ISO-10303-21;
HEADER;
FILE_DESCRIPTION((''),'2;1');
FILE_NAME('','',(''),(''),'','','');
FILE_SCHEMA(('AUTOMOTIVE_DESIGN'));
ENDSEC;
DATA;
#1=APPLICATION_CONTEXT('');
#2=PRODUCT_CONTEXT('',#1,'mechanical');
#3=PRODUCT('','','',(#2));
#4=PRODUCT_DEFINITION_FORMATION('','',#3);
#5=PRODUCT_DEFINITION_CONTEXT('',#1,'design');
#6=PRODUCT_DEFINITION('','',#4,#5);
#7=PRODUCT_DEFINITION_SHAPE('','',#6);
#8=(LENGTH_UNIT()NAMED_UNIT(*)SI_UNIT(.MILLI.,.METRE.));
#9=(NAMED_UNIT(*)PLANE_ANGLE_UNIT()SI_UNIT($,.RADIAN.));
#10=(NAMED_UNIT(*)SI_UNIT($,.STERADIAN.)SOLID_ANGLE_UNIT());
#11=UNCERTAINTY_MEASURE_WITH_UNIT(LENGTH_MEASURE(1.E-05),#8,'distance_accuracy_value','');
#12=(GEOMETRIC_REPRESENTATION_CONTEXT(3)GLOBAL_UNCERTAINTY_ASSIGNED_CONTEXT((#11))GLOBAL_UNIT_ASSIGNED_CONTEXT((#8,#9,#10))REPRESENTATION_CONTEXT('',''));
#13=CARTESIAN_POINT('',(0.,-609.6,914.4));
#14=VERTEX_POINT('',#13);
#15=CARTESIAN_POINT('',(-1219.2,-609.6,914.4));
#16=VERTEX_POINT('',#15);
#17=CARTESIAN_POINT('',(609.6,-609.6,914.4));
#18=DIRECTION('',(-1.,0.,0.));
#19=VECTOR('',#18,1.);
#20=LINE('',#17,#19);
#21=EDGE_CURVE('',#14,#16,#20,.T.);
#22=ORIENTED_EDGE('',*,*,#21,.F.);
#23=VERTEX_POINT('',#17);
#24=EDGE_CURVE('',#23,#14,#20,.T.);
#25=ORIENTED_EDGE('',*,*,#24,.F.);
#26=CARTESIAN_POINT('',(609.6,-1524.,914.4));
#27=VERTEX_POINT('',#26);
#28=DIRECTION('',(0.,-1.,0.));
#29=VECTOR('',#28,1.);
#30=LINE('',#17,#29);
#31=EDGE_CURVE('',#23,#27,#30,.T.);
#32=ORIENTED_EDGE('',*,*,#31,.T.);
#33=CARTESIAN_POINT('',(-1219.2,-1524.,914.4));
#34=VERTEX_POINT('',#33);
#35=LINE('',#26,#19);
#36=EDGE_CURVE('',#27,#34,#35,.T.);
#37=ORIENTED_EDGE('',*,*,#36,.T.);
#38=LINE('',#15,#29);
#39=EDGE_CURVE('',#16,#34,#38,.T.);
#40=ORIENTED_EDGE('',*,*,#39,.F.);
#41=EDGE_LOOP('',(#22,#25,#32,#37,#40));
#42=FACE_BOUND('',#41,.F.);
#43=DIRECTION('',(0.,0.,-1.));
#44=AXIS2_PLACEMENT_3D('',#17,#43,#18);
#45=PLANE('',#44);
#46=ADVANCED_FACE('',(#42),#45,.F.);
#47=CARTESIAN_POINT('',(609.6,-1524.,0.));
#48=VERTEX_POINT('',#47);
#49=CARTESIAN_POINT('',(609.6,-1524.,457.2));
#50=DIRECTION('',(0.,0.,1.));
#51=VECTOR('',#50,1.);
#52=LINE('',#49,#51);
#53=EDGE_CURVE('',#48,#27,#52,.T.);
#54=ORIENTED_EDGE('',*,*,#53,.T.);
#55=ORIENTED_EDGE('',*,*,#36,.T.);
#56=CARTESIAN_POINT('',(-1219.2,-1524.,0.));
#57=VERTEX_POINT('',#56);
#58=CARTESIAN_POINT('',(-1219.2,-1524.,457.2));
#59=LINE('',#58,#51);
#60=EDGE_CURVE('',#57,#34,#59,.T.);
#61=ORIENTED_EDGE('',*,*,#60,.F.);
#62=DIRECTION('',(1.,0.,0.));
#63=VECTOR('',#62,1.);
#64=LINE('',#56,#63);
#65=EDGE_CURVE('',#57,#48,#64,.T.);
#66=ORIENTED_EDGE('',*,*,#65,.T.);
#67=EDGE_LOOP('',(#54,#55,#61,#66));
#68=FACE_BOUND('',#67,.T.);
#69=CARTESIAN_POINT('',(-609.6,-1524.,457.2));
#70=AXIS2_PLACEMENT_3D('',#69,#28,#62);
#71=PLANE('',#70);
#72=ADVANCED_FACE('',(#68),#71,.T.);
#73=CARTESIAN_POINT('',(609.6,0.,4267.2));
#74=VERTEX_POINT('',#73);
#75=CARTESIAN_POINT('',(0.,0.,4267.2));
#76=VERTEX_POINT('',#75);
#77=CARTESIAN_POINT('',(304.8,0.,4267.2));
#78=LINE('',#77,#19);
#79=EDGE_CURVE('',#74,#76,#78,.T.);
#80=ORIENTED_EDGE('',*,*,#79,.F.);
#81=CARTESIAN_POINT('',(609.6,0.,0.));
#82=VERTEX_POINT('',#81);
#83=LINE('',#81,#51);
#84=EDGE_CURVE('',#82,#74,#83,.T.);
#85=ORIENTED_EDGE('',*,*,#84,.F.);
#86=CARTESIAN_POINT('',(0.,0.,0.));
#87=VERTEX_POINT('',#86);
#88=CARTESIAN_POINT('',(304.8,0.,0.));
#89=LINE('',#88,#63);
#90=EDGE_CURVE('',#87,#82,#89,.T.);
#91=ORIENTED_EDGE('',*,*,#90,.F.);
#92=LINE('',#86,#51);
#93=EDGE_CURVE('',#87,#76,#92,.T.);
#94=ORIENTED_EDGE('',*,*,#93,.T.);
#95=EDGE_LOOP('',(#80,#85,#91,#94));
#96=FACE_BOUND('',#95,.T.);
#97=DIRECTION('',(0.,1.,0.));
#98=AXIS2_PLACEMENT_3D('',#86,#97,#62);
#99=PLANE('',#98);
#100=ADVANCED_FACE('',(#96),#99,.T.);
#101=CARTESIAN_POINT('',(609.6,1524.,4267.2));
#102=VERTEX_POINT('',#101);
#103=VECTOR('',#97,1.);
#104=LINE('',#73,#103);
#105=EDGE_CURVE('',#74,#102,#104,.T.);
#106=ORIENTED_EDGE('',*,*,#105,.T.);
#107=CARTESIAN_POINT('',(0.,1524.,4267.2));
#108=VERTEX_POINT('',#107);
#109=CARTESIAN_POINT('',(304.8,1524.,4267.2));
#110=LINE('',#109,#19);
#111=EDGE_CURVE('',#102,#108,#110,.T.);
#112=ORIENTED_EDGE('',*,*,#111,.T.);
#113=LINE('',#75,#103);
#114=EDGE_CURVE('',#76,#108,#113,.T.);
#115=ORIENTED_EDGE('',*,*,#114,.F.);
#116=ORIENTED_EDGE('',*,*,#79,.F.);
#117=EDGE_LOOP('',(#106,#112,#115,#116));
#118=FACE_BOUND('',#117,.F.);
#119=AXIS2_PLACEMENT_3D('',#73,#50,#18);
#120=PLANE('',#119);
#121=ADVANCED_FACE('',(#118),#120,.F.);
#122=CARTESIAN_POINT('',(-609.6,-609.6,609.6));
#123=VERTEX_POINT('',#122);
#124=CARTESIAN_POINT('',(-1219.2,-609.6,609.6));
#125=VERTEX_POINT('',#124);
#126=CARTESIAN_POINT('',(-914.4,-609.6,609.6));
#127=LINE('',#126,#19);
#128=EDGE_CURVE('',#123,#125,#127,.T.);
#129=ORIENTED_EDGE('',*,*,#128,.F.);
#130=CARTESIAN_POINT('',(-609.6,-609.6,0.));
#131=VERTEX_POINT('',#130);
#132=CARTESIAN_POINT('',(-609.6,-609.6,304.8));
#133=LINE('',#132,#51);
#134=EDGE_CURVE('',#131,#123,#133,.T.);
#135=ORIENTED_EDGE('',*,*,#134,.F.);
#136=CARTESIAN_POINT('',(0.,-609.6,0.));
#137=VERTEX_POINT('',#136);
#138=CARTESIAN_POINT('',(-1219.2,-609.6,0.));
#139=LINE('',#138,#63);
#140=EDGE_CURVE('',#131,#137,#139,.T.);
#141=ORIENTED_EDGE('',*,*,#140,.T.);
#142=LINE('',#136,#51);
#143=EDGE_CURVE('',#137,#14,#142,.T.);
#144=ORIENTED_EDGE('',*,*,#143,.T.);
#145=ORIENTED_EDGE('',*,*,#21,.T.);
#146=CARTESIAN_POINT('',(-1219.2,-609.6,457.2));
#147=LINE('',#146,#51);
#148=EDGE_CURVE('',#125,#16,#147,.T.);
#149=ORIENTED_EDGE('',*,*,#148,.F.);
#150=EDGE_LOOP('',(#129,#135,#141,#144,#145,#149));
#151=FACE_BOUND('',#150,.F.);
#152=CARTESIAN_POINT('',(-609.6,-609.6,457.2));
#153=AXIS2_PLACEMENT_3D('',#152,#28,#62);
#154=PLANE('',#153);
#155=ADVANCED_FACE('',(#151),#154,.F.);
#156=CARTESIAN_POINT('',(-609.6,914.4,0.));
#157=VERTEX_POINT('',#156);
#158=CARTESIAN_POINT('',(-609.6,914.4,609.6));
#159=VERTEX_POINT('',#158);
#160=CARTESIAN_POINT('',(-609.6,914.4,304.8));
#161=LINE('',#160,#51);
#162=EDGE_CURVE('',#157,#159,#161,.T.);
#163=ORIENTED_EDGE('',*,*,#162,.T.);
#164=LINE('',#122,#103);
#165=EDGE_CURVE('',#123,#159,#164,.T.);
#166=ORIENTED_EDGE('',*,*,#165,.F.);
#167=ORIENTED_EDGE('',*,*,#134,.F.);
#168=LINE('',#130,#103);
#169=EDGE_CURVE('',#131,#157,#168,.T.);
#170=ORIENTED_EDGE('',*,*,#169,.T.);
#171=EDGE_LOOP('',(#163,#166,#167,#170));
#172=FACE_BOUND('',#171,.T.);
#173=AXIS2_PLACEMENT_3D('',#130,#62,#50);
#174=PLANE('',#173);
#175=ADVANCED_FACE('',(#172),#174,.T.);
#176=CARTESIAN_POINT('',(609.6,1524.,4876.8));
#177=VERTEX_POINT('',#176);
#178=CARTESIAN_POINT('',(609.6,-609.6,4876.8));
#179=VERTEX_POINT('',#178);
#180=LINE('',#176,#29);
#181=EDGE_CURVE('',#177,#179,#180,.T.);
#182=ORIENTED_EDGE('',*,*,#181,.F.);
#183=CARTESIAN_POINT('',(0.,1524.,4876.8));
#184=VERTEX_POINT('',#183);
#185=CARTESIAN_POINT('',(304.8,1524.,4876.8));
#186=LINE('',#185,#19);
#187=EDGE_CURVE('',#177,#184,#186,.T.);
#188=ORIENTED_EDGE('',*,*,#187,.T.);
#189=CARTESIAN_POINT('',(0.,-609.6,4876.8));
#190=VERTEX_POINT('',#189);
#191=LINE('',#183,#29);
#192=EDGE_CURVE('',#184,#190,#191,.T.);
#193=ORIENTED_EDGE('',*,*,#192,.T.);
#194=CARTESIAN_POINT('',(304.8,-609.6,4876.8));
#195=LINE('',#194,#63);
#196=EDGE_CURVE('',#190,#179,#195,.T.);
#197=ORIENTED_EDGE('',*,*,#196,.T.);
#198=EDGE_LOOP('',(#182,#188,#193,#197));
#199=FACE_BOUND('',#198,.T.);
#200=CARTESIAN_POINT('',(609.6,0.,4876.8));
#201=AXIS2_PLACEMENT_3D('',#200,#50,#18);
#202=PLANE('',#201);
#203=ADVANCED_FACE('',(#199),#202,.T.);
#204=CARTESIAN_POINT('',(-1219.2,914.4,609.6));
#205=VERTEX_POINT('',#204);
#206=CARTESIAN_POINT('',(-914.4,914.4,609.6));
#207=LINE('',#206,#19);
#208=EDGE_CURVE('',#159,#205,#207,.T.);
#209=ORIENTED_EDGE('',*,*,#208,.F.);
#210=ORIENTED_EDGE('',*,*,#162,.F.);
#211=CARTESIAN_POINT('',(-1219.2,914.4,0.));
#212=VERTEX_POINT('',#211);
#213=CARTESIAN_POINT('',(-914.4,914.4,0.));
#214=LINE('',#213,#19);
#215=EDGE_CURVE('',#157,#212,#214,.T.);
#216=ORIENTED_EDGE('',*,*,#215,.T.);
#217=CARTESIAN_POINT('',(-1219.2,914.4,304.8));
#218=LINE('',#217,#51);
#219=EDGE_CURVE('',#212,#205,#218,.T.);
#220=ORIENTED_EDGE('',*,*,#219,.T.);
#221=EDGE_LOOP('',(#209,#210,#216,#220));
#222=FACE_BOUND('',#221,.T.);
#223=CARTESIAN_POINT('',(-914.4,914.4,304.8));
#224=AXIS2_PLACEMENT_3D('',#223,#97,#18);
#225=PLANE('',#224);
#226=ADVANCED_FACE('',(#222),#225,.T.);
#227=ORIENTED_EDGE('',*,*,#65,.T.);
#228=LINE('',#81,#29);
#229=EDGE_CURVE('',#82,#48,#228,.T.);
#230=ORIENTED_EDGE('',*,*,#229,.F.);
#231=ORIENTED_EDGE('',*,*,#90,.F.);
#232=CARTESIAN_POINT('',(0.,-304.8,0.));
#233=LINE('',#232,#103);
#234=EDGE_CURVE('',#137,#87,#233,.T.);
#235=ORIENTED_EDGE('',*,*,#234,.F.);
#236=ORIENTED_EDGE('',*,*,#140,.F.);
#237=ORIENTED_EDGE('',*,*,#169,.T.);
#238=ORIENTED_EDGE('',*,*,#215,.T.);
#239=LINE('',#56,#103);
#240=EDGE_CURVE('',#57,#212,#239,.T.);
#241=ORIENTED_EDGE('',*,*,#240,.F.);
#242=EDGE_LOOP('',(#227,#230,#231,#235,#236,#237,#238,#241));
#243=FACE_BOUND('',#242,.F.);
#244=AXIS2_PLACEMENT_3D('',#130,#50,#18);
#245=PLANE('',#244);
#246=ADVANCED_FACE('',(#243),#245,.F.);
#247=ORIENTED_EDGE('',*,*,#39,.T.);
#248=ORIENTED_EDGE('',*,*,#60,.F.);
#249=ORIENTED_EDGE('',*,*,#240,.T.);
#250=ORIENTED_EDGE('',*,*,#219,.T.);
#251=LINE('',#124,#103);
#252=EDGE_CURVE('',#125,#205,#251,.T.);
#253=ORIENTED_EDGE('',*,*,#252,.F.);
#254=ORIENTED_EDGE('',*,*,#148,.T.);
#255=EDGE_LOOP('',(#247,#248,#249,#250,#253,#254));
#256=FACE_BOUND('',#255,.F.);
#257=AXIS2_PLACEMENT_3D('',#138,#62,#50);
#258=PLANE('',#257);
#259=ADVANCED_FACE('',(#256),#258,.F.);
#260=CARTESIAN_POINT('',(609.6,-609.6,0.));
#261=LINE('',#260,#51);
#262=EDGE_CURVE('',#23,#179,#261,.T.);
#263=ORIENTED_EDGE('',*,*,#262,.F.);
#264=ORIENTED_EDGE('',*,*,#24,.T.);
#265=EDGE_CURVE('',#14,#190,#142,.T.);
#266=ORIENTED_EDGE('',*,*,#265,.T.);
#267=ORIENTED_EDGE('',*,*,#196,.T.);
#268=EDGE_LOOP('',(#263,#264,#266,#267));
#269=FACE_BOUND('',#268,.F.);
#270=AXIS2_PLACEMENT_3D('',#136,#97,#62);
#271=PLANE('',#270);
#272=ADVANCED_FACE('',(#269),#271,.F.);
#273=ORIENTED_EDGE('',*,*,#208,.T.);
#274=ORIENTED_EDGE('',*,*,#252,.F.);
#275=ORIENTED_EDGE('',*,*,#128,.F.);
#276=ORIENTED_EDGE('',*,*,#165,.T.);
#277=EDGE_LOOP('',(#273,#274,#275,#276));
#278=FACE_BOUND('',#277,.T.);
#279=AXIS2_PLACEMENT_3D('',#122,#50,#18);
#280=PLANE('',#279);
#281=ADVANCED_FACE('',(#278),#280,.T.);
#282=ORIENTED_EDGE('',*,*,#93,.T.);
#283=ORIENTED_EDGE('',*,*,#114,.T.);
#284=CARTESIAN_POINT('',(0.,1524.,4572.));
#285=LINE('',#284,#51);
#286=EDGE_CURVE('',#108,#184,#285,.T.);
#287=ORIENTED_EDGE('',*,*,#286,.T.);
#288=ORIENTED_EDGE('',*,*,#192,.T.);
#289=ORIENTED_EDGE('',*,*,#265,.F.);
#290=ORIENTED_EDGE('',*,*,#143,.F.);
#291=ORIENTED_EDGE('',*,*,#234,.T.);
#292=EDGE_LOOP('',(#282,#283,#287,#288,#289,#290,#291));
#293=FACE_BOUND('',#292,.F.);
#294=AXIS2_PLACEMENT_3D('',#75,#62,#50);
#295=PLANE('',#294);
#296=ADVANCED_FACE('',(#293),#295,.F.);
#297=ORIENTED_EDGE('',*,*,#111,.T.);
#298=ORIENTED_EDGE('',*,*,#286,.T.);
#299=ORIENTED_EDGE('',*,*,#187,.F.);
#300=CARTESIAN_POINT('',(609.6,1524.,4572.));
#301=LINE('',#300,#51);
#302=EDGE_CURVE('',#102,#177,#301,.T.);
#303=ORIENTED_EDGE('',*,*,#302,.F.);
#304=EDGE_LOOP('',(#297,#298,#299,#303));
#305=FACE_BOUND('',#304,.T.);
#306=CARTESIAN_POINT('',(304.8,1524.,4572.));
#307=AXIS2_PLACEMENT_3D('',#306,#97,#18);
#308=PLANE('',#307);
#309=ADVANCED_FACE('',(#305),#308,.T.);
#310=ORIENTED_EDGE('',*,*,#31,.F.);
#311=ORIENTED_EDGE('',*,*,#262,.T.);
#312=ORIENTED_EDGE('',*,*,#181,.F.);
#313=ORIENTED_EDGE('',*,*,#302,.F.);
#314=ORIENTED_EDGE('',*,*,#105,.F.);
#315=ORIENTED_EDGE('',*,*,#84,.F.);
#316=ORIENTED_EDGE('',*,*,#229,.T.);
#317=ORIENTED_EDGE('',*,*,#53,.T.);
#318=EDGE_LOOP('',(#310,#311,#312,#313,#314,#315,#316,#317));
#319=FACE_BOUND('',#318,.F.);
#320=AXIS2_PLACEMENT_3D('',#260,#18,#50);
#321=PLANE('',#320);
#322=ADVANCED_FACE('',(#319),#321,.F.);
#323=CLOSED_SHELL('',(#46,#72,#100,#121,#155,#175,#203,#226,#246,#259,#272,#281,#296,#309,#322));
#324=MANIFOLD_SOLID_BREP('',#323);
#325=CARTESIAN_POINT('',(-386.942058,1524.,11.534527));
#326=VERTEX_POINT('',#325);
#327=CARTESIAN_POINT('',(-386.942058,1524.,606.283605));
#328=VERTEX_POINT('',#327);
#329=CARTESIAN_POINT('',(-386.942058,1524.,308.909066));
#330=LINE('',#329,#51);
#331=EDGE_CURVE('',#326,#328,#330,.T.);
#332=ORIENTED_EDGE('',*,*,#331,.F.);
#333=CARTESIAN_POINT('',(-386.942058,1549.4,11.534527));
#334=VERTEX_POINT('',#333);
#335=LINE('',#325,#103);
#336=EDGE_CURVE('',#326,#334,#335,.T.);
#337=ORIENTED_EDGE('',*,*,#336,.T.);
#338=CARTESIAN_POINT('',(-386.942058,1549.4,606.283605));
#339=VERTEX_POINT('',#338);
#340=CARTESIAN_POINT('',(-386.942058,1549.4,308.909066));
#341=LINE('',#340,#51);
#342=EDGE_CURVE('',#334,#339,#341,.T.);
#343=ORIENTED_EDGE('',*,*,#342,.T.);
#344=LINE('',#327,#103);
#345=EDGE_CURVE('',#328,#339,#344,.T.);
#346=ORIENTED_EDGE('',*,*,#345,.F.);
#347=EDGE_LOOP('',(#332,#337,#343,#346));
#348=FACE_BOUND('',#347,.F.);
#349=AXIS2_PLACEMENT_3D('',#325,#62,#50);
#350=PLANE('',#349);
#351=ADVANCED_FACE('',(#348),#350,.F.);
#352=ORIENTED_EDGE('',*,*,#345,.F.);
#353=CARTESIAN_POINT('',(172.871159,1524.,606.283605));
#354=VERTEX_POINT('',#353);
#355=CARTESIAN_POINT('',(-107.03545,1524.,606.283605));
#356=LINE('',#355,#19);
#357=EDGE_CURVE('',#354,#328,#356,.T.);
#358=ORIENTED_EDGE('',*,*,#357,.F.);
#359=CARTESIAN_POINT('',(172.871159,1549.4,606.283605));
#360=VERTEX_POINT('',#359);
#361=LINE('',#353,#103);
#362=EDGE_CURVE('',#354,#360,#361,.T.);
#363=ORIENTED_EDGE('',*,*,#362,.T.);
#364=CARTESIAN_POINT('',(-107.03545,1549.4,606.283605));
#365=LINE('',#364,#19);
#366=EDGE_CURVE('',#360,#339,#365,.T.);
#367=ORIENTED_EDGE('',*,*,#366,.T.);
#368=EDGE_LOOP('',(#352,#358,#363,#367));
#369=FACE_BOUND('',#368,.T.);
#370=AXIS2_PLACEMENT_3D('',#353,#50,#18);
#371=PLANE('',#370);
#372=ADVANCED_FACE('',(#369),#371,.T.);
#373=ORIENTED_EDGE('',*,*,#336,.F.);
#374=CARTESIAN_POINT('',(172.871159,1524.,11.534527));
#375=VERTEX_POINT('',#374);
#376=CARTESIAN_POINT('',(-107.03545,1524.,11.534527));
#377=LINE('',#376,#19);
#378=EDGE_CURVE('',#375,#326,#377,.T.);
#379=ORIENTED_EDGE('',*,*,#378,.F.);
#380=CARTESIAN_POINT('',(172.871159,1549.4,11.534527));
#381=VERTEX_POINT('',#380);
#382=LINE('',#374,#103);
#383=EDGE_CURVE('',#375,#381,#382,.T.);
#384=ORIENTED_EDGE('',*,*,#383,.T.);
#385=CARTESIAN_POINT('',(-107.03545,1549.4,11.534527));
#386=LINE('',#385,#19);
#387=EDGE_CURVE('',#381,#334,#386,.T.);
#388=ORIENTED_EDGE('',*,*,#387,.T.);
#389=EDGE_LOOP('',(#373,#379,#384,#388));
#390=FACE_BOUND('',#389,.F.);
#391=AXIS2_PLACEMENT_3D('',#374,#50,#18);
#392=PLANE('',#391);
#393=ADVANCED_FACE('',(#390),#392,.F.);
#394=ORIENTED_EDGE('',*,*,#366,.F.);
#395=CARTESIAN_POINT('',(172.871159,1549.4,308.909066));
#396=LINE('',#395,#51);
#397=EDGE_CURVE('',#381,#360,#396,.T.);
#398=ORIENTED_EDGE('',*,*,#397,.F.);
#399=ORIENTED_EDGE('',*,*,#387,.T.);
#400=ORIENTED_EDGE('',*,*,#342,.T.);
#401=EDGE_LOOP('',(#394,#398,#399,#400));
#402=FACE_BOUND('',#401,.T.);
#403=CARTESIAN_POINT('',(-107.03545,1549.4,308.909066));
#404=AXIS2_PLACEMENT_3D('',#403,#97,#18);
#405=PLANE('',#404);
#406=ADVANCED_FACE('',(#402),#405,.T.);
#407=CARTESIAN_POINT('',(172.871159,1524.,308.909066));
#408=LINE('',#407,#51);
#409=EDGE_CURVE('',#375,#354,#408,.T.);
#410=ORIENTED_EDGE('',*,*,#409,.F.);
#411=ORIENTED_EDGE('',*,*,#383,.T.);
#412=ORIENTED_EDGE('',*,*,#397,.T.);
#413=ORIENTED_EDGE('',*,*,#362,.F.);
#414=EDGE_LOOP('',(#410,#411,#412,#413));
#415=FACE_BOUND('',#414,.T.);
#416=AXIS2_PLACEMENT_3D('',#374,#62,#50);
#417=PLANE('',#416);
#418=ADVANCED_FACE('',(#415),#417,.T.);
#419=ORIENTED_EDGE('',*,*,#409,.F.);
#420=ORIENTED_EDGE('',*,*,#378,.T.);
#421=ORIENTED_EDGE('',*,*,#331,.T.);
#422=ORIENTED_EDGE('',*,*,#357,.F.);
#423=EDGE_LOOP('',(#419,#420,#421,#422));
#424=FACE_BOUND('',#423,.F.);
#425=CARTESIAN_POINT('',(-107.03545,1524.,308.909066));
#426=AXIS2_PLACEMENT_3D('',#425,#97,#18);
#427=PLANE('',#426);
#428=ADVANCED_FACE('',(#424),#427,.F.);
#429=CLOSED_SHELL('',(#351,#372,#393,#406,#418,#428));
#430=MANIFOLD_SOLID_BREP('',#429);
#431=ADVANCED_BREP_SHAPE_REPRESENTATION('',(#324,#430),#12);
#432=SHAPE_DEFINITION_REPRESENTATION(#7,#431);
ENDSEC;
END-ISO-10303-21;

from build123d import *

# Parameters (mm, degrees)
F0_W     = 609.6
F0_H     = 609.6
F1_DEPTH = 4876.8
F2_W     = 609.6
F2_H     = 609.6
F3_DEPTH = 1524
F4_W     = 1219.2
F4_H     = 914.4
F4_W_2   = 609.6
F5_DEPTH = 914.4
F6_W     = 559.813217
F6_H     = 594.749077
F7_DEPTH = 25.4
F8_W     = 609.6
F8_H     = 609.6
F9_DEPTH = 1524


with BuildPart() as f1:
    # F0 (on Top) → F1 (new body)
    with BuildSketch(Plane.XY):
        with Locations((304.8, -304.8)):
            Rectangle(F0_W, F0_H)
    extrude(amount=F1_DEPTH)

    # F2 (on face) → F3 (join)
    with BuildSketch(Plane(origin=(0, 0, 0), x_dir=(-1, 0, 0), z_dir=(0, 1, 0))):
        with Locations((-304.8, 4572)):
            Rectangle(F2_W, F2_H)
    extrude(amount=F3_DEPTH)

    # F4 (on face) → F5 (join)
    with BuildSketch(Plane.XZ.offset(609.6)):
        with Locations((-609.6, 457.2)):
            Rectangle(F4_W, F4_H)
        with Locations((304.8, 457.2)):
            Rectangle(F4_W_2, F4_H)
    extrude(amount=F5_DEPTH)

    # F8 (on face) → F9 (join)
    with BuildSketch(Plane(origin=(0, -609.6, 0), x_dir=(-1, 0, 0), z_dir=(0, 1, 0))):
        with Locations((914.4, 304.8)):
            Rectangle(F8_W, F8_H)
    extrude(amount=F9_DEPTH)


with BuildPart() as f7:
    # F6 (on face) → F7 (new body)
    with BuildSketch(Plane(origin=(0, 1524, 0), x_dir=(-1, 0, 0), z_dir=(0, 1, 0))):
        with Locations((107.03545, 308.909066)):
            Rectangle(F6_W, F6_H)
    extrude(amount=F7_DEPTH)


solid = Compound([f1.part, f7.part])
